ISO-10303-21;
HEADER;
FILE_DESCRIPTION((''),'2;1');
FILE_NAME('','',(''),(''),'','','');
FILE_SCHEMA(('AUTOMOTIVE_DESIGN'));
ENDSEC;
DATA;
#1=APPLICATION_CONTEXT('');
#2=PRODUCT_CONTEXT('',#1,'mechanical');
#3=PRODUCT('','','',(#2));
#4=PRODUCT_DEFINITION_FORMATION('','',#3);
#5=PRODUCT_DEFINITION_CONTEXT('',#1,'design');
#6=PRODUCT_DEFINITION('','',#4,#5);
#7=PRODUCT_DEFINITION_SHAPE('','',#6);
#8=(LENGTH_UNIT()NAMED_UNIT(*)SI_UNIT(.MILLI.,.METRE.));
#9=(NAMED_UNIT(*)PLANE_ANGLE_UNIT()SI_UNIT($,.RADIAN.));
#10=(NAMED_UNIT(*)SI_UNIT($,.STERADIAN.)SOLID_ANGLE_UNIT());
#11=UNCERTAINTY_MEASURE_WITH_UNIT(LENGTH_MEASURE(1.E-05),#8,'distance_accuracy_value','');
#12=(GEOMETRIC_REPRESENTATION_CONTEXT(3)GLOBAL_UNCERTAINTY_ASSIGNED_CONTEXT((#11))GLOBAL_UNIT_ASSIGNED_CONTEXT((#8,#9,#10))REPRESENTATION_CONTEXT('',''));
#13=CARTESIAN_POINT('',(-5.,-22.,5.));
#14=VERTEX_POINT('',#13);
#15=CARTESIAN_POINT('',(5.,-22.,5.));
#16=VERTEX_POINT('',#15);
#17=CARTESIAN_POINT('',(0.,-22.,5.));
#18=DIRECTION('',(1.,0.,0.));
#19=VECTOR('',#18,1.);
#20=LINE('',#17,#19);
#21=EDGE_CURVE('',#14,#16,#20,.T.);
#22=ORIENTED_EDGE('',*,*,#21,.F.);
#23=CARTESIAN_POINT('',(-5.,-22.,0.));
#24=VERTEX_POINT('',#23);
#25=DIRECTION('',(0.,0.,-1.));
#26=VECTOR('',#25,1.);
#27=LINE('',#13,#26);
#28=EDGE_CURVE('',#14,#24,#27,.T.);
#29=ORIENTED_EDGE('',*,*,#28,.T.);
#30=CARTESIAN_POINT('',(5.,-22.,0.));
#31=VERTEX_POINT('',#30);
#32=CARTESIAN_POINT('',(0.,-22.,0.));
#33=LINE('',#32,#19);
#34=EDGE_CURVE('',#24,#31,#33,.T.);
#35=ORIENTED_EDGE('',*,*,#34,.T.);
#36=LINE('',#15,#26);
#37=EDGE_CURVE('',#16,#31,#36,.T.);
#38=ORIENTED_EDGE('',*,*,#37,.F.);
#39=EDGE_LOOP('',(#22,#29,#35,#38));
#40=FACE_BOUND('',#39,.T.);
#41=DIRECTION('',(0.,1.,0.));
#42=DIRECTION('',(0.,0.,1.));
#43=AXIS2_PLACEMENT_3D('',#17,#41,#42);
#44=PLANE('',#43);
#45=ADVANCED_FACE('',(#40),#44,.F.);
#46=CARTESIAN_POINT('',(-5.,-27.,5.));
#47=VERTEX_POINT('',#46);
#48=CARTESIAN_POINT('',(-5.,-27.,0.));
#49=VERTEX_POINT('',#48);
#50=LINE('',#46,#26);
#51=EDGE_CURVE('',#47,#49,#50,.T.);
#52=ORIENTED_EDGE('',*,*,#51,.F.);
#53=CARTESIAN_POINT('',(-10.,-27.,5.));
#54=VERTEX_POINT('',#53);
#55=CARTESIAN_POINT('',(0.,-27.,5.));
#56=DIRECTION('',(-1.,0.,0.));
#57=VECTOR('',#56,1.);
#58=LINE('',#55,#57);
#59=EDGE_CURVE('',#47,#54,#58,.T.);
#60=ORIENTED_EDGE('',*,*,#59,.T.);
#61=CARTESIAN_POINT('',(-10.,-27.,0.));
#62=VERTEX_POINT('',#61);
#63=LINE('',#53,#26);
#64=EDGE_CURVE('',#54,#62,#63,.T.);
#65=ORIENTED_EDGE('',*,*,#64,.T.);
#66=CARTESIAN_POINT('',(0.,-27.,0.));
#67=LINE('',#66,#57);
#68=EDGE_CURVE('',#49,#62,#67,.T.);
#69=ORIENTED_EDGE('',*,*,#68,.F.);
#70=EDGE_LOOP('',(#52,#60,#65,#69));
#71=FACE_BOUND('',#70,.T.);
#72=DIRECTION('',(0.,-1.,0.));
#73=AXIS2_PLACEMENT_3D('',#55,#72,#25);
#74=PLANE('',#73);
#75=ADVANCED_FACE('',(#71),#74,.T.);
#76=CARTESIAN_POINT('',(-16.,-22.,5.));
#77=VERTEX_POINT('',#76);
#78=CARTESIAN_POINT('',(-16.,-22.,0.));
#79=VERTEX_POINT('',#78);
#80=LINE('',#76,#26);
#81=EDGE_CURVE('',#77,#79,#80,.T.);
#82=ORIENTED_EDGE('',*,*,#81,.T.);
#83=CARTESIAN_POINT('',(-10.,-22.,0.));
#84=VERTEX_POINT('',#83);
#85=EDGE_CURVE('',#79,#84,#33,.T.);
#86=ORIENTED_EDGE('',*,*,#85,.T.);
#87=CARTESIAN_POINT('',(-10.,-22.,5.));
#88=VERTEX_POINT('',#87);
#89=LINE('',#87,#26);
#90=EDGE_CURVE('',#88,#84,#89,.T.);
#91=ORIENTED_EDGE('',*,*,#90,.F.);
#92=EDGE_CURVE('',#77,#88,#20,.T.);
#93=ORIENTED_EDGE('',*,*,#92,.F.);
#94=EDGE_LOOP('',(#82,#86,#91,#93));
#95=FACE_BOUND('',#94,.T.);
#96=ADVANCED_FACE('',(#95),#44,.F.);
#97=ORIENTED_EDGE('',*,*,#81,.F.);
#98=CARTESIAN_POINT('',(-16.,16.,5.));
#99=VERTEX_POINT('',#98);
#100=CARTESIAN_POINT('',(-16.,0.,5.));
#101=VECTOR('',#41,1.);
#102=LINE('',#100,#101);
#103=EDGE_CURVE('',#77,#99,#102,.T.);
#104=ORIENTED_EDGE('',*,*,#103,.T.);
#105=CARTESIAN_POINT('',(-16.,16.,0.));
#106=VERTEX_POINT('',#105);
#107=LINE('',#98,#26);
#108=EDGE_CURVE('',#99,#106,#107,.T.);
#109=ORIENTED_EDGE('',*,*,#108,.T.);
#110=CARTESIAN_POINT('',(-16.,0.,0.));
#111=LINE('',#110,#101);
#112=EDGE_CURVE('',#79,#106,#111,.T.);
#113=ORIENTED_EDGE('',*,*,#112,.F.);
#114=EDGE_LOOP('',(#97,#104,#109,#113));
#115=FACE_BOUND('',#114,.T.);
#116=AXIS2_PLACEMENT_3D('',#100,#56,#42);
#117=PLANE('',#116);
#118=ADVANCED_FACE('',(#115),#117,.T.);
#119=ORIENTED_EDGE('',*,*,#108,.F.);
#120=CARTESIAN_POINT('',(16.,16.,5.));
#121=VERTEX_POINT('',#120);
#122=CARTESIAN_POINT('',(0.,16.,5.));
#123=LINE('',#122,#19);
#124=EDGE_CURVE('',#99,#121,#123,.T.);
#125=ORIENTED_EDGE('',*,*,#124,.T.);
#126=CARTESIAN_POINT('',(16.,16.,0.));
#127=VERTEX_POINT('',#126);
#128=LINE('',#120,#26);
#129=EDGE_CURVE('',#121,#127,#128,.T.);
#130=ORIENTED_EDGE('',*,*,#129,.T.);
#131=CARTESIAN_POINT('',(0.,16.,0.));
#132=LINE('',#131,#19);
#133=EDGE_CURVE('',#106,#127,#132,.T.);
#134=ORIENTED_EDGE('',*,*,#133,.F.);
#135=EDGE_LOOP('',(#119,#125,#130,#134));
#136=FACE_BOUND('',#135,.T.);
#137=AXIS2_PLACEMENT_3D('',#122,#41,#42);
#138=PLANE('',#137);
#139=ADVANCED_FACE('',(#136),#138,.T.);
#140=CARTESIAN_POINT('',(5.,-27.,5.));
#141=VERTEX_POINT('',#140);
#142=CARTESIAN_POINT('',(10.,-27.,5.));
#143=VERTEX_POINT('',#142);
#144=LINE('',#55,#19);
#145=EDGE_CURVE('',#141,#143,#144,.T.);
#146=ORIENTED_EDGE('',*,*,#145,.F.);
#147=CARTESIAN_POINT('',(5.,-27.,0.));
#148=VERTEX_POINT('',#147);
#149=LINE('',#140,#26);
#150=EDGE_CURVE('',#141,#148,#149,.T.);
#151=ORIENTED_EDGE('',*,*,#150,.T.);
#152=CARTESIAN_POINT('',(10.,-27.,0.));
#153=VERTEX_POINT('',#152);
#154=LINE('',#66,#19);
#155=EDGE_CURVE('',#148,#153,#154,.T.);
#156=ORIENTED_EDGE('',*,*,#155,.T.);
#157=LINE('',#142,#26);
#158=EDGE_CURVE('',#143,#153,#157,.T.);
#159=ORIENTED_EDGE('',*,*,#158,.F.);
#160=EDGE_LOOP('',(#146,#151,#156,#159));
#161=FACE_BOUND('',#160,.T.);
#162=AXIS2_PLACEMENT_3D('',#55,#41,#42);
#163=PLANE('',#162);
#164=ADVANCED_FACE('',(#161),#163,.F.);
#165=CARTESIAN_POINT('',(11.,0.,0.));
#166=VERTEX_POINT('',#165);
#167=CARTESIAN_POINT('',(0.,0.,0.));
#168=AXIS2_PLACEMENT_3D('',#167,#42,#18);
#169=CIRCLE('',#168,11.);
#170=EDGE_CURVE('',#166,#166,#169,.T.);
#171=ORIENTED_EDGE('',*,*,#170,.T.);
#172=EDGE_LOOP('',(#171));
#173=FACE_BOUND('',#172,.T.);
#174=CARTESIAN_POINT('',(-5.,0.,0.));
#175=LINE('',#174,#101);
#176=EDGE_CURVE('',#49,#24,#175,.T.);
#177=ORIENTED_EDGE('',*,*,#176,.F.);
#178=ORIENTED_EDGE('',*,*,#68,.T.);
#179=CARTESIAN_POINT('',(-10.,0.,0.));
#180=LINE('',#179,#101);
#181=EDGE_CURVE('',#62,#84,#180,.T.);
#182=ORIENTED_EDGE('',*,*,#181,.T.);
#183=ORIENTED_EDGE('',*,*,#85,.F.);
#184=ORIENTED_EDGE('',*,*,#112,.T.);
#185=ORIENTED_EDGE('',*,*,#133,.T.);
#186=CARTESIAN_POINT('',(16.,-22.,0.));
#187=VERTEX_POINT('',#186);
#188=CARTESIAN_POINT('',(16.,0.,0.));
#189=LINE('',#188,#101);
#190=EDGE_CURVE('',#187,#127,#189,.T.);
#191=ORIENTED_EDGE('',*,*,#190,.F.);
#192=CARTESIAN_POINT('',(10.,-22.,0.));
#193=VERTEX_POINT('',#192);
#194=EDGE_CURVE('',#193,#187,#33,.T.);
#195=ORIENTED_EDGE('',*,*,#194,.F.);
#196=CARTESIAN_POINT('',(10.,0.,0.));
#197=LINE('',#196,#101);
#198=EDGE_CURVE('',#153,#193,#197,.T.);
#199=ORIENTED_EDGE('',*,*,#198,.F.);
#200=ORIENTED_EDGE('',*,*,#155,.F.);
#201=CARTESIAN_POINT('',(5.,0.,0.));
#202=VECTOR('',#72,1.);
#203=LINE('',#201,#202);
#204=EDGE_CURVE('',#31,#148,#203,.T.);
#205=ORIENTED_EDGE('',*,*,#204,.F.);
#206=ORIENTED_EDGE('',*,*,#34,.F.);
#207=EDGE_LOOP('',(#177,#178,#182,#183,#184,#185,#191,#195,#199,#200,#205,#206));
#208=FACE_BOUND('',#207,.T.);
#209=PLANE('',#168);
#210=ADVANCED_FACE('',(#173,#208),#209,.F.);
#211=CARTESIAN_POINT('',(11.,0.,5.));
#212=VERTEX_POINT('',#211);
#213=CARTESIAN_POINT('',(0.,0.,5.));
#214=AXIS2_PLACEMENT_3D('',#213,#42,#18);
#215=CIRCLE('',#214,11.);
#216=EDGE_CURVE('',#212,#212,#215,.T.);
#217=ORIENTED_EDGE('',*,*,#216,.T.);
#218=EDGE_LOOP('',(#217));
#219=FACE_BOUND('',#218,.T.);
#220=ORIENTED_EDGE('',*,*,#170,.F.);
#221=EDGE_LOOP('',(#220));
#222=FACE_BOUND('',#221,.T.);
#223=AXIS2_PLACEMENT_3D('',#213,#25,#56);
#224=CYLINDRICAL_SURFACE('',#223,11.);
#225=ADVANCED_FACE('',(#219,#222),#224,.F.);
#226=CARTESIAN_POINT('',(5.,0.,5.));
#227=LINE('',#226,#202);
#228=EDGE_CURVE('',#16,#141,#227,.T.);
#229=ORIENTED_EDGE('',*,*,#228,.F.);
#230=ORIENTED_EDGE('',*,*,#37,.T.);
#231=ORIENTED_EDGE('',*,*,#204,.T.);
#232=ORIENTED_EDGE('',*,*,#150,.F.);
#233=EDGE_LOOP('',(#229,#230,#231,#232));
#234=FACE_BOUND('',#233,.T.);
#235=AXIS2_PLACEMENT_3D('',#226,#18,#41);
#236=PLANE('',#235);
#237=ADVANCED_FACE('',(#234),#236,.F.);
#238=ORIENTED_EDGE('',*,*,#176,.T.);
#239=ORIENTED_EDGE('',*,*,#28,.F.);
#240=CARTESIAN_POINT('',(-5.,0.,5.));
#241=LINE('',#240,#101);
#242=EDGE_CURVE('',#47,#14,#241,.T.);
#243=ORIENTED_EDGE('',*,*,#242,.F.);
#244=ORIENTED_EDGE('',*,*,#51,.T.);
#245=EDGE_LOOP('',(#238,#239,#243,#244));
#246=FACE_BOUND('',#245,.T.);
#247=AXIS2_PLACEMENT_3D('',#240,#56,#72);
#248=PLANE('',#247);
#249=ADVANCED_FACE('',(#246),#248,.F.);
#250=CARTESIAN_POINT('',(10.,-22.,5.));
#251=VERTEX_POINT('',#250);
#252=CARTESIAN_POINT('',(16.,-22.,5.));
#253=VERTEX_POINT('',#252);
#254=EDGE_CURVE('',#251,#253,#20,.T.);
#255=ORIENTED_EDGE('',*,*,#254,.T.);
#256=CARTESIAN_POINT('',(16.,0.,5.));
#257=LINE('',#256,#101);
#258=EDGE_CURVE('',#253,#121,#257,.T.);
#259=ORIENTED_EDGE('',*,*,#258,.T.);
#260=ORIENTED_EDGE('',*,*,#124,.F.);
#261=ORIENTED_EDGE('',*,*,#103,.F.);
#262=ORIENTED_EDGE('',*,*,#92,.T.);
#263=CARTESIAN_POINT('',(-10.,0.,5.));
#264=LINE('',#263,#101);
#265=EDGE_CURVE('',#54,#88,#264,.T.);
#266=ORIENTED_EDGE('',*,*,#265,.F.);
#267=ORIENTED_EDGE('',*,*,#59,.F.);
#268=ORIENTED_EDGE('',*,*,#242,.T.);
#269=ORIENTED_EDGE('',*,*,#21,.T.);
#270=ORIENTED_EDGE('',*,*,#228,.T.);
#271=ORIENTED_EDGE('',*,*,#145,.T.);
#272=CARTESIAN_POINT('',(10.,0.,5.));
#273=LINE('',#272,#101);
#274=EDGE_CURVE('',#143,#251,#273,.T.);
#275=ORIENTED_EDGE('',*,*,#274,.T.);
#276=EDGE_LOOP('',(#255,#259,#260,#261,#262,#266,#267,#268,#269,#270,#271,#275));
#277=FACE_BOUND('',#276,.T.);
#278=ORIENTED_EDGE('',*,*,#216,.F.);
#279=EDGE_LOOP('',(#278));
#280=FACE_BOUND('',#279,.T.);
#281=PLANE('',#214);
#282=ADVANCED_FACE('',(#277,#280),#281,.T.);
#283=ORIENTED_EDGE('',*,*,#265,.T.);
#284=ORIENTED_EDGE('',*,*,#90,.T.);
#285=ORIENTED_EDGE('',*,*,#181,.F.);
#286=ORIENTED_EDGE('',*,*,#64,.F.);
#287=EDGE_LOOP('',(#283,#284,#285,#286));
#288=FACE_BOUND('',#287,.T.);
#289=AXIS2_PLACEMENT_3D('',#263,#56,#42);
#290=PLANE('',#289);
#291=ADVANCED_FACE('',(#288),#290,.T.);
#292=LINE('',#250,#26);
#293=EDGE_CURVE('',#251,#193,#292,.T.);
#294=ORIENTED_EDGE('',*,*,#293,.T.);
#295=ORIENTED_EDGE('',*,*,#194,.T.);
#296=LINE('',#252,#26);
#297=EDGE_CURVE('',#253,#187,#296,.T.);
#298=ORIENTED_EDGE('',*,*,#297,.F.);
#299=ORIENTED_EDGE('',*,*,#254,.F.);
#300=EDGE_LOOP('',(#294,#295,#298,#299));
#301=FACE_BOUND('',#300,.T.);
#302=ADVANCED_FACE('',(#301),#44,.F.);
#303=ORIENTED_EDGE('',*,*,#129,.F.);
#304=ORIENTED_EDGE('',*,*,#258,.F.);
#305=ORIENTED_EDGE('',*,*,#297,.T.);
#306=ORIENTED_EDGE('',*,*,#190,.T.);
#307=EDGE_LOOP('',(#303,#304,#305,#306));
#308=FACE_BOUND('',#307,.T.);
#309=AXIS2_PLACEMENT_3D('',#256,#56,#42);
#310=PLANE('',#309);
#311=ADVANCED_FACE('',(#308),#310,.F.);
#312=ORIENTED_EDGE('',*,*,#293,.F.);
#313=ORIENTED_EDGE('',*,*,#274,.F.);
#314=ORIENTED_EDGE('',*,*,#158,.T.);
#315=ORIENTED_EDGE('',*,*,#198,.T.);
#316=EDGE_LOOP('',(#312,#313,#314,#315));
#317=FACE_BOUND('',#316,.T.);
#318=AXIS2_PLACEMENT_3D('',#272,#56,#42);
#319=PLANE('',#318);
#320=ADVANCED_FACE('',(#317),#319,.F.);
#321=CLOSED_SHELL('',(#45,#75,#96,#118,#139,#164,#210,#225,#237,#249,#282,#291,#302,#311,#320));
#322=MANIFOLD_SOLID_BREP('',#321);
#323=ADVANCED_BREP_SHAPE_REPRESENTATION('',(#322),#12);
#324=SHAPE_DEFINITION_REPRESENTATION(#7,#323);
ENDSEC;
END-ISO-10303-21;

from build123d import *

# Parameters (mm, degrees)
SKETCH1_W           = 5
SKETCH1_H           = 5
SKETCH1_W_2         = 32
SKETCH1_H_2         = 38
SKETCH1_R           = 11
BOSS_EXTRUDE1_DEPTH = 5


with BuildPart() as part:
    # Sketch1 → Boss-Extrude1 (new body)
    # profile 1 of 3: a face of its own
    with BuildSketch(Plane.XY):
        with Locations((7.5, -24.5)):
            Rectangle(SKETCH1_W, SKETCH1_H)
    # profile 2 of 3: a face of its own
    with BuildSketch(Plane.XY):
        with Locations((-7.5, -24.5)):
            Rectangle(SKETCH1_W, SKETCH1_H)
    # profile 3 of 3: a face of its own
    with BuildSketch(Plane.XY):
        with Locations((0, -3)):
            Rectangle(SKETCH1_W_2, SKETCH1_H_2)
        Circle(SKETCH1_R, mode=Mode.SUBTRACT)
    extrude(amount=BOSS_EXTRUDE1_DEPTH)


solid = part.part
